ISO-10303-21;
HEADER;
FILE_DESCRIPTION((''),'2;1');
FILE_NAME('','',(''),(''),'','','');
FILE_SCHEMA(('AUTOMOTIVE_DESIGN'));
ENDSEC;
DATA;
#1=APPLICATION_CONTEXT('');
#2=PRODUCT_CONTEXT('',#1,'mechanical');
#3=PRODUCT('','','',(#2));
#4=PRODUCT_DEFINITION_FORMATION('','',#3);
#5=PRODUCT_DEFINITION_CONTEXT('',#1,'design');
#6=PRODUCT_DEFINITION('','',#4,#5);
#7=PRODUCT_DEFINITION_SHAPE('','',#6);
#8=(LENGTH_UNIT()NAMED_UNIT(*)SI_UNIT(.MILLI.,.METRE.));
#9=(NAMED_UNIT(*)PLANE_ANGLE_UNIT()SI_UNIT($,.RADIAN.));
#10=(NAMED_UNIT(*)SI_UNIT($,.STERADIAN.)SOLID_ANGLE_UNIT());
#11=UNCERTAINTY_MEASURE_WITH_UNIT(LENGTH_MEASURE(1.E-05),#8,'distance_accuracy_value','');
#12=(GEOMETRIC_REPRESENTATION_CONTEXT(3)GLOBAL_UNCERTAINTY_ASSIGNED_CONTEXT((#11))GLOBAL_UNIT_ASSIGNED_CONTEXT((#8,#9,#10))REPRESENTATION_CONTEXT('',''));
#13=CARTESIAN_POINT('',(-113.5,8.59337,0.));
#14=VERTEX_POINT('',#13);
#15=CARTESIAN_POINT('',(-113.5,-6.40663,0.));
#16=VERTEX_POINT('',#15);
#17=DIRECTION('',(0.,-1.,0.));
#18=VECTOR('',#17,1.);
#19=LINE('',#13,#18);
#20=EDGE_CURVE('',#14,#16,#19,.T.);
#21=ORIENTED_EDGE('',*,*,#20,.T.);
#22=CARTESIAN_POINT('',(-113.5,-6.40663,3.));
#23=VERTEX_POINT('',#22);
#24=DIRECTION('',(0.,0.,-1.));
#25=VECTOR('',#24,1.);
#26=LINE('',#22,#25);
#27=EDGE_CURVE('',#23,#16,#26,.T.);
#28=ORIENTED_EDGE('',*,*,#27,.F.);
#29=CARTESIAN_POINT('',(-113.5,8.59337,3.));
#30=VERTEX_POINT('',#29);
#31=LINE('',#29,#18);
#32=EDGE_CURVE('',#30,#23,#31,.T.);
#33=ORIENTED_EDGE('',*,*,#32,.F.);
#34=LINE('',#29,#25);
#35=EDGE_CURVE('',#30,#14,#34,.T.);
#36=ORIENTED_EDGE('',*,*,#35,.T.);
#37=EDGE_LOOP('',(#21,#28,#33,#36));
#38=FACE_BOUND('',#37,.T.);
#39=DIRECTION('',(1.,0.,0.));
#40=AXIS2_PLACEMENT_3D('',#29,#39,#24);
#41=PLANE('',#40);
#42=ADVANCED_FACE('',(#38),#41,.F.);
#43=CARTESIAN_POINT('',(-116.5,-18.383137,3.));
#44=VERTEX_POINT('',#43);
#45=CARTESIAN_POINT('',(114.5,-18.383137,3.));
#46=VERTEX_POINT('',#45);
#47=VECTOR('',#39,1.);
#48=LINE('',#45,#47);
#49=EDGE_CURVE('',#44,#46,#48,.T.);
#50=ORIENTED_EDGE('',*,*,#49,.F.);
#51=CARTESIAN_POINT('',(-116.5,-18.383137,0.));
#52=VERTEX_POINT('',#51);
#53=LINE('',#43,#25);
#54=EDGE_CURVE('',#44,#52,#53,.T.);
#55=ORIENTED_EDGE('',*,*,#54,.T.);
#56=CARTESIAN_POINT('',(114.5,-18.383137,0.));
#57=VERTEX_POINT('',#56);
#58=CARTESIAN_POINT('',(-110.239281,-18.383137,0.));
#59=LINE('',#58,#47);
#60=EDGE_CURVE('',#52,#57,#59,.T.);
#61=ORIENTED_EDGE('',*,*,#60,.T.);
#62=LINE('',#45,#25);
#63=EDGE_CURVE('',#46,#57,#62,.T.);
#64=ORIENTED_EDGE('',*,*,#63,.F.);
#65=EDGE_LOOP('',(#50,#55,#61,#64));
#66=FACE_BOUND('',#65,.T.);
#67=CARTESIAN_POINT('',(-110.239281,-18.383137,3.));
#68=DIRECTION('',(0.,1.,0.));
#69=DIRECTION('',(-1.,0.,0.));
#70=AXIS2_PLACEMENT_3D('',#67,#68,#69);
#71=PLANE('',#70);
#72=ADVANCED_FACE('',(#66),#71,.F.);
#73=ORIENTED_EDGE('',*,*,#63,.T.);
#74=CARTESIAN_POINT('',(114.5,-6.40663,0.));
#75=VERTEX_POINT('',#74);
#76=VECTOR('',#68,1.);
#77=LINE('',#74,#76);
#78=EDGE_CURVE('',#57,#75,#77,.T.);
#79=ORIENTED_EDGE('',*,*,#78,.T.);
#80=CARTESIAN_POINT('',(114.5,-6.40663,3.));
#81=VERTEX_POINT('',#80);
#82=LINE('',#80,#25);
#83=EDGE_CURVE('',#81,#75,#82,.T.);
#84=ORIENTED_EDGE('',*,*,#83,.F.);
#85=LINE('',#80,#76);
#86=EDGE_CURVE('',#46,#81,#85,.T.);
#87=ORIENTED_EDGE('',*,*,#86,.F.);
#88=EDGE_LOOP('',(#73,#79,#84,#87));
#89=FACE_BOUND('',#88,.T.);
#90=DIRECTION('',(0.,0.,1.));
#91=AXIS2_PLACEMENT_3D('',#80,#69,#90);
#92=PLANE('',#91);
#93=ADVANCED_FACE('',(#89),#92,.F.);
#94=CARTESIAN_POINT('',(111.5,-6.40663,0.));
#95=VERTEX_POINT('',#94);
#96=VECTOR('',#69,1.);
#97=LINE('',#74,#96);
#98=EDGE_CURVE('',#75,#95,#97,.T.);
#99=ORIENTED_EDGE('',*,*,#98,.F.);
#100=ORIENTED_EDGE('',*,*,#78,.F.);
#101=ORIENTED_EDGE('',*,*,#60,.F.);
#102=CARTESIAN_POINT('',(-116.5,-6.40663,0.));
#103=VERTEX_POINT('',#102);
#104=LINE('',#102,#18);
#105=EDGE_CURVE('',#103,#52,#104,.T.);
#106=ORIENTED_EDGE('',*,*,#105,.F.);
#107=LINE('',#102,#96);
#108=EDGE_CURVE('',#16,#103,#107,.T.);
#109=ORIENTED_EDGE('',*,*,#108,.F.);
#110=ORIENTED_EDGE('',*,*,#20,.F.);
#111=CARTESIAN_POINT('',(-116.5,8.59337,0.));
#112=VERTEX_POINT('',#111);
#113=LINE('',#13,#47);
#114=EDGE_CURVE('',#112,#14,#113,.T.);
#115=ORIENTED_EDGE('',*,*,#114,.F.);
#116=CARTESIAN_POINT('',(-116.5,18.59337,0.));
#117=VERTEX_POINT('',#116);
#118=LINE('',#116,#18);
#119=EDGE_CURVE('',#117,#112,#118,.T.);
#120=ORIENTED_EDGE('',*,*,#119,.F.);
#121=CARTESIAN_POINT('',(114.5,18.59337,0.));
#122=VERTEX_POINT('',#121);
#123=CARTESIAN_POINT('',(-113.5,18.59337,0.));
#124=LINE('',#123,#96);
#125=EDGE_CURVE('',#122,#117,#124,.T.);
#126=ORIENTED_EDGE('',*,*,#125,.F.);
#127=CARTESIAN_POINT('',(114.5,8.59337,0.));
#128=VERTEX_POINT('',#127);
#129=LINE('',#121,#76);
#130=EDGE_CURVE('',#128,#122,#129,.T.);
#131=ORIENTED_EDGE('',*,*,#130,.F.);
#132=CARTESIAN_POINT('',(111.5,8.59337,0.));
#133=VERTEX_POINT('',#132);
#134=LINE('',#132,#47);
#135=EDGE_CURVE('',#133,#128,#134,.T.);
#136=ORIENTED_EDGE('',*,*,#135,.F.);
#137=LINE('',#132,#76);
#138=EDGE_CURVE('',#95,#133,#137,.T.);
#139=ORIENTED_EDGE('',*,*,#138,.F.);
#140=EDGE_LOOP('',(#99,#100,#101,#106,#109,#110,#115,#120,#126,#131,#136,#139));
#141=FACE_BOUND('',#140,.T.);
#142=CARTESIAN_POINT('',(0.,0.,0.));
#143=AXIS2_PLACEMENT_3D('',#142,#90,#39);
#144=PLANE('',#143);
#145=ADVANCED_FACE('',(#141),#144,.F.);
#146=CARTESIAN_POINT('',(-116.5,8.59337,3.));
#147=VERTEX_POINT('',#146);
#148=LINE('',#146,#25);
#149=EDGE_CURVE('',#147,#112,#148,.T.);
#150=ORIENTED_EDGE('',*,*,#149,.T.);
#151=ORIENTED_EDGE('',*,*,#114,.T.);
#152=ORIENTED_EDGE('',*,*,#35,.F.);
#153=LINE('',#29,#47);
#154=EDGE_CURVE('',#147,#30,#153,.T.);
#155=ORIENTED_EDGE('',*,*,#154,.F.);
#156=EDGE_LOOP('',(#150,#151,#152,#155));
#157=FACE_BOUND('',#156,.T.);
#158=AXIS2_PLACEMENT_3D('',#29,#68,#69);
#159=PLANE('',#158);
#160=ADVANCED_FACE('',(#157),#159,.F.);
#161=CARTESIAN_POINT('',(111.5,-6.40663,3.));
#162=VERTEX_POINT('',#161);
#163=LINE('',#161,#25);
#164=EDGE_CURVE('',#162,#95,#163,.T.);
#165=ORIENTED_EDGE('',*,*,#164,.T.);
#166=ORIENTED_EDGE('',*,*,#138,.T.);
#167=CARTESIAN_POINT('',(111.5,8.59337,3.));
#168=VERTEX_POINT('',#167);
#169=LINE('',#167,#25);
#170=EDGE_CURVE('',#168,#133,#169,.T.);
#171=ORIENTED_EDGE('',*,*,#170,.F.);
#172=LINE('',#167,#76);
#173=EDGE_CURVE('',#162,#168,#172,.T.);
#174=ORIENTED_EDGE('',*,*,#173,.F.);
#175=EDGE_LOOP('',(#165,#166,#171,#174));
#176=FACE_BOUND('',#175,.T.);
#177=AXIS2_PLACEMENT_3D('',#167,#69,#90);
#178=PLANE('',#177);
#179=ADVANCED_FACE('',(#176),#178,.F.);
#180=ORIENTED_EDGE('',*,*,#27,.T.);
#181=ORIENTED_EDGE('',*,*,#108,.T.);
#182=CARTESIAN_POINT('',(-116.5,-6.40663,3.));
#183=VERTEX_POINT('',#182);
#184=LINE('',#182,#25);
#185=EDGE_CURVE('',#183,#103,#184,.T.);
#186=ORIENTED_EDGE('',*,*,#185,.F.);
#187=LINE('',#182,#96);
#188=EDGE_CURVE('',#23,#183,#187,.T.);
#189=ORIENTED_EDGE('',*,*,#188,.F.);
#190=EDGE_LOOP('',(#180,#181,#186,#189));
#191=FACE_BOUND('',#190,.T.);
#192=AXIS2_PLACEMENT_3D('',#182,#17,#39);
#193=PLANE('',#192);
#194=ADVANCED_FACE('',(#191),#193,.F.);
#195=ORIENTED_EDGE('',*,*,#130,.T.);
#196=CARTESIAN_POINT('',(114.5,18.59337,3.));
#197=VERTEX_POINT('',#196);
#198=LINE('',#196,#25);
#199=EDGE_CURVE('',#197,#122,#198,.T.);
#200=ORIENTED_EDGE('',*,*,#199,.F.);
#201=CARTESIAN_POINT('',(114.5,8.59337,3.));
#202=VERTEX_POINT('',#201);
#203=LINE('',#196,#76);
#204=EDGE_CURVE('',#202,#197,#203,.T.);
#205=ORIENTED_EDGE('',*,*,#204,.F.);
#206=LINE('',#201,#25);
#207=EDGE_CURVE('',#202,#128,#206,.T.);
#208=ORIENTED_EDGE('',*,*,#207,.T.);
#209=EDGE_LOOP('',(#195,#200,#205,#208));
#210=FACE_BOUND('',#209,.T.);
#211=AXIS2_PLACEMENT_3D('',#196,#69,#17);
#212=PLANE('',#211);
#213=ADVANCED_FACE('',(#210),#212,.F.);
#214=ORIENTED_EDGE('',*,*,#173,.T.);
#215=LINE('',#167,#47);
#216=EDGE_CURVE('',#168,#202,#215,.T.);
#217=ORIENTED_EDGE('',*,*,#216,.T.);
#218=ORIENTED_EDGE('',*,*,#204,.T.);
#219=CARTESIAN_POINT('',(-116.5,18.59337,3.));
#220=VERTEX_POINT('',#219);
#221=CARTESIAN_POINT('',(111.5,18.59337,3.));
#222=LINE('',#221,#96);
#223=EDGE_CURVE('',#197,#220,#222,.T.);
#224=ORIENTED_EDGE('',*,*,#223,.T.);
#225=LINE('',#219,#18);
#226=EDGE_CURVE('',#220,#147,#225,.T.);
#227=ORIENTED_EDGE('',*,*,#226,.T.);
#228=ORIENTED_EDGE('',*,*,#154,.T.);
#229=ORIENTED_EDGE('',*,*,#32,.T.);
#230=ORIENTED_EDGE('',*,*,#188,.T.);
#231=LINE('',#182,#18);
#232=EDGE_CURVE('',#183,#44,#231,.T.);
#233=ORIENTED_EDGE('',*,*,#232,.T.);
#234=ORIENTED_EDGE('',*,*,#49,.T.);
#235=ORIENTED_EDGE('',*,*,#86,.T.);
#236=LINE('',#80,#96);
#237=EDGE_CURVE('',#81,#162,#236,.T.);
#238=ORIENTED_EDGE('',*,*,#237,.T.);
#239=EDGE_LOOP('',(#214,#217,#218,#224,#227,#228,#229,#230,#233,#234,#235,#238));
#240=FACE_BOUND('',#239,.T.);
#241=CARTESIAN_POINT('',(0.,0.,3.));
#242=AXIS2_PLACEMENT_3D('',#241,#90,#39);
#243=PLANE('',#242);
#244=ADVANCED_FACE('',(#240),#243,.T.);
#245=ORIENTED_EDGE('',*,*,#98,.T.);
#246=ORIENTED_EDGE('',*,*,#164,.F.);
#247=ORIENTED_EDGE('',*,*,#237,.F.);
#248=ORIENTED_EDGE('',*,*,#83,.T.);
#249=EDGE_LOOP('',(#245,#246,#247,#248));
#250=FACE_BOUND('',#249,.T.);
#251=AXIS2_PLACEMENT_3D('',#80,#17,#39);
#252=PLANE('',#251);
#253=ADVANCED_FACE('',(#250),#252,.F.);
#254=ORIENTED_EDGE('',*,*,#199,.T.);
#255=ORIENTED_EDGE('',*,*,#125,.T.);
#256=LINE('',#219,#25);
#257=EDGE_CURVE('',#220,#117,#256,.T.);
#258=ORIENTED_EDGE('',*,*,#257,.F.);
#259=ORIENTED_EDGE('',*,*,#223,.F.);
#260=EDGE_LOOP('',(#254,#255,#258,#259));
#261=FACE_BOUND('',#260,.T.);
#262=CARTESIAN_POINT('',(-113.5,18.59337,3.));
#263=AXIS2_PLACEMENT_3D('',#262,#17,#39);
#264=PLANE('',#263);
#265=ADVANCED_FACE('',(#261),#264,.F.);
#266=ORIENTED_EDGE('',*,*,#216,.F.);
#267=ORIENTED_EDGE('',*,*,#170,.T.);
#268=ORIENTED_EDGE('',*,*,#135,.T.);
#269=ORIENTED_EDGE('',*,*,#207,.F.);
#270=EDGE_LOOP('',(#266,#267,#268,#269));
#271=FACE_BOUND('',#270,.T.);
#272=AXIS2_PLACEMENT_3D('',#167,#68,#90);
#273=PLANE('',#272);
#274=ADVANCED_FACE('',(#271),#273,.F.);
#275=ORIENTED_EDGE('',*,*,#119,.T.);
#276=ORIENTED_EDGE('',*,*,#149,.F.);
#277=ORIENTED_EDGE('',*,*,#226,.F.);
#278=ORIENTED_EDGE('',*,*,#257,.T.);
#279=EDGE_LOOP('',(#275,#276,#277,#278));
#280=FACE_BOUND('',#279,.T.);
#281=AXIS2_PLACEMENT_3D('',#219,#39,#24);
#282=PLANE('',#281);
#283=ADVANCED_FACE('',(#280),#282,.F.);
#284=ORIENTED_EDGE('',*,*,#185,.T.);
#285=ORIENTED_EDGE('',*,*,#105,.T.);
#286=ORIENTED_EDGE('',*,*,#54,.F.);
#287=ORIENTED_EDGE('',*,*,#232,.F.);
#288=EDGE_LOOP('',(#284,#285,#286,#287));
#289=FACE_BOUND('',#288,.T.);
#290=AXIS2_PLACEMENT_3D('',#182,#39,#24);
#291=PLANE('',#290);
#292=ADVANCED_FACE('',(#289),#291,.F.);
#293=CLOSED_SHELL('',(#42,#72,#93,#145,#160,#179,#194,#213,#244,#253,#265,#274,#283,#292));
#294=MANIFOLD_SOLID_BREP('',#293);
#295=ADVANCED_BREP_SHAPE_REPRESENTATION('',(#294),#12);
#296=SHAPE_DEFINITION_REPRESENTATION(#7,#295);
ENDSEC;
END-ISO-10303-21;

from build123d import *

# Parameters (mm, degrees)
BOSS_EXTRUDE1_DEPTH = 3


with BuildPart() as part:
    # Sketch1 → Boss-Extrude1 (new body)
    with BuildSketch(Plane.XY):
        Polygon((-113.5, 8.593370453), (-116.5, 8.593370453), (-116.5, 18.593370453), (-113.5, 18.593370453), (111.5, 18.593370453), (114.5, 18.593370453), (114.5, 8.593370453), (111.5, 8.593370453), (111.5, -6.406629547), (114.5, -6.406629547), (114.5, -18.383137088), (112.216666945, -18.383137088), (-110.239280743, -18.383137088), (-116.5, -18.383137088), (-116.5, -6.406629547), (-113.5, -6.406629547), align=None)
    extrude(amount=BOSS_EXTRUDE1_DEPTH)


solid = part.part
